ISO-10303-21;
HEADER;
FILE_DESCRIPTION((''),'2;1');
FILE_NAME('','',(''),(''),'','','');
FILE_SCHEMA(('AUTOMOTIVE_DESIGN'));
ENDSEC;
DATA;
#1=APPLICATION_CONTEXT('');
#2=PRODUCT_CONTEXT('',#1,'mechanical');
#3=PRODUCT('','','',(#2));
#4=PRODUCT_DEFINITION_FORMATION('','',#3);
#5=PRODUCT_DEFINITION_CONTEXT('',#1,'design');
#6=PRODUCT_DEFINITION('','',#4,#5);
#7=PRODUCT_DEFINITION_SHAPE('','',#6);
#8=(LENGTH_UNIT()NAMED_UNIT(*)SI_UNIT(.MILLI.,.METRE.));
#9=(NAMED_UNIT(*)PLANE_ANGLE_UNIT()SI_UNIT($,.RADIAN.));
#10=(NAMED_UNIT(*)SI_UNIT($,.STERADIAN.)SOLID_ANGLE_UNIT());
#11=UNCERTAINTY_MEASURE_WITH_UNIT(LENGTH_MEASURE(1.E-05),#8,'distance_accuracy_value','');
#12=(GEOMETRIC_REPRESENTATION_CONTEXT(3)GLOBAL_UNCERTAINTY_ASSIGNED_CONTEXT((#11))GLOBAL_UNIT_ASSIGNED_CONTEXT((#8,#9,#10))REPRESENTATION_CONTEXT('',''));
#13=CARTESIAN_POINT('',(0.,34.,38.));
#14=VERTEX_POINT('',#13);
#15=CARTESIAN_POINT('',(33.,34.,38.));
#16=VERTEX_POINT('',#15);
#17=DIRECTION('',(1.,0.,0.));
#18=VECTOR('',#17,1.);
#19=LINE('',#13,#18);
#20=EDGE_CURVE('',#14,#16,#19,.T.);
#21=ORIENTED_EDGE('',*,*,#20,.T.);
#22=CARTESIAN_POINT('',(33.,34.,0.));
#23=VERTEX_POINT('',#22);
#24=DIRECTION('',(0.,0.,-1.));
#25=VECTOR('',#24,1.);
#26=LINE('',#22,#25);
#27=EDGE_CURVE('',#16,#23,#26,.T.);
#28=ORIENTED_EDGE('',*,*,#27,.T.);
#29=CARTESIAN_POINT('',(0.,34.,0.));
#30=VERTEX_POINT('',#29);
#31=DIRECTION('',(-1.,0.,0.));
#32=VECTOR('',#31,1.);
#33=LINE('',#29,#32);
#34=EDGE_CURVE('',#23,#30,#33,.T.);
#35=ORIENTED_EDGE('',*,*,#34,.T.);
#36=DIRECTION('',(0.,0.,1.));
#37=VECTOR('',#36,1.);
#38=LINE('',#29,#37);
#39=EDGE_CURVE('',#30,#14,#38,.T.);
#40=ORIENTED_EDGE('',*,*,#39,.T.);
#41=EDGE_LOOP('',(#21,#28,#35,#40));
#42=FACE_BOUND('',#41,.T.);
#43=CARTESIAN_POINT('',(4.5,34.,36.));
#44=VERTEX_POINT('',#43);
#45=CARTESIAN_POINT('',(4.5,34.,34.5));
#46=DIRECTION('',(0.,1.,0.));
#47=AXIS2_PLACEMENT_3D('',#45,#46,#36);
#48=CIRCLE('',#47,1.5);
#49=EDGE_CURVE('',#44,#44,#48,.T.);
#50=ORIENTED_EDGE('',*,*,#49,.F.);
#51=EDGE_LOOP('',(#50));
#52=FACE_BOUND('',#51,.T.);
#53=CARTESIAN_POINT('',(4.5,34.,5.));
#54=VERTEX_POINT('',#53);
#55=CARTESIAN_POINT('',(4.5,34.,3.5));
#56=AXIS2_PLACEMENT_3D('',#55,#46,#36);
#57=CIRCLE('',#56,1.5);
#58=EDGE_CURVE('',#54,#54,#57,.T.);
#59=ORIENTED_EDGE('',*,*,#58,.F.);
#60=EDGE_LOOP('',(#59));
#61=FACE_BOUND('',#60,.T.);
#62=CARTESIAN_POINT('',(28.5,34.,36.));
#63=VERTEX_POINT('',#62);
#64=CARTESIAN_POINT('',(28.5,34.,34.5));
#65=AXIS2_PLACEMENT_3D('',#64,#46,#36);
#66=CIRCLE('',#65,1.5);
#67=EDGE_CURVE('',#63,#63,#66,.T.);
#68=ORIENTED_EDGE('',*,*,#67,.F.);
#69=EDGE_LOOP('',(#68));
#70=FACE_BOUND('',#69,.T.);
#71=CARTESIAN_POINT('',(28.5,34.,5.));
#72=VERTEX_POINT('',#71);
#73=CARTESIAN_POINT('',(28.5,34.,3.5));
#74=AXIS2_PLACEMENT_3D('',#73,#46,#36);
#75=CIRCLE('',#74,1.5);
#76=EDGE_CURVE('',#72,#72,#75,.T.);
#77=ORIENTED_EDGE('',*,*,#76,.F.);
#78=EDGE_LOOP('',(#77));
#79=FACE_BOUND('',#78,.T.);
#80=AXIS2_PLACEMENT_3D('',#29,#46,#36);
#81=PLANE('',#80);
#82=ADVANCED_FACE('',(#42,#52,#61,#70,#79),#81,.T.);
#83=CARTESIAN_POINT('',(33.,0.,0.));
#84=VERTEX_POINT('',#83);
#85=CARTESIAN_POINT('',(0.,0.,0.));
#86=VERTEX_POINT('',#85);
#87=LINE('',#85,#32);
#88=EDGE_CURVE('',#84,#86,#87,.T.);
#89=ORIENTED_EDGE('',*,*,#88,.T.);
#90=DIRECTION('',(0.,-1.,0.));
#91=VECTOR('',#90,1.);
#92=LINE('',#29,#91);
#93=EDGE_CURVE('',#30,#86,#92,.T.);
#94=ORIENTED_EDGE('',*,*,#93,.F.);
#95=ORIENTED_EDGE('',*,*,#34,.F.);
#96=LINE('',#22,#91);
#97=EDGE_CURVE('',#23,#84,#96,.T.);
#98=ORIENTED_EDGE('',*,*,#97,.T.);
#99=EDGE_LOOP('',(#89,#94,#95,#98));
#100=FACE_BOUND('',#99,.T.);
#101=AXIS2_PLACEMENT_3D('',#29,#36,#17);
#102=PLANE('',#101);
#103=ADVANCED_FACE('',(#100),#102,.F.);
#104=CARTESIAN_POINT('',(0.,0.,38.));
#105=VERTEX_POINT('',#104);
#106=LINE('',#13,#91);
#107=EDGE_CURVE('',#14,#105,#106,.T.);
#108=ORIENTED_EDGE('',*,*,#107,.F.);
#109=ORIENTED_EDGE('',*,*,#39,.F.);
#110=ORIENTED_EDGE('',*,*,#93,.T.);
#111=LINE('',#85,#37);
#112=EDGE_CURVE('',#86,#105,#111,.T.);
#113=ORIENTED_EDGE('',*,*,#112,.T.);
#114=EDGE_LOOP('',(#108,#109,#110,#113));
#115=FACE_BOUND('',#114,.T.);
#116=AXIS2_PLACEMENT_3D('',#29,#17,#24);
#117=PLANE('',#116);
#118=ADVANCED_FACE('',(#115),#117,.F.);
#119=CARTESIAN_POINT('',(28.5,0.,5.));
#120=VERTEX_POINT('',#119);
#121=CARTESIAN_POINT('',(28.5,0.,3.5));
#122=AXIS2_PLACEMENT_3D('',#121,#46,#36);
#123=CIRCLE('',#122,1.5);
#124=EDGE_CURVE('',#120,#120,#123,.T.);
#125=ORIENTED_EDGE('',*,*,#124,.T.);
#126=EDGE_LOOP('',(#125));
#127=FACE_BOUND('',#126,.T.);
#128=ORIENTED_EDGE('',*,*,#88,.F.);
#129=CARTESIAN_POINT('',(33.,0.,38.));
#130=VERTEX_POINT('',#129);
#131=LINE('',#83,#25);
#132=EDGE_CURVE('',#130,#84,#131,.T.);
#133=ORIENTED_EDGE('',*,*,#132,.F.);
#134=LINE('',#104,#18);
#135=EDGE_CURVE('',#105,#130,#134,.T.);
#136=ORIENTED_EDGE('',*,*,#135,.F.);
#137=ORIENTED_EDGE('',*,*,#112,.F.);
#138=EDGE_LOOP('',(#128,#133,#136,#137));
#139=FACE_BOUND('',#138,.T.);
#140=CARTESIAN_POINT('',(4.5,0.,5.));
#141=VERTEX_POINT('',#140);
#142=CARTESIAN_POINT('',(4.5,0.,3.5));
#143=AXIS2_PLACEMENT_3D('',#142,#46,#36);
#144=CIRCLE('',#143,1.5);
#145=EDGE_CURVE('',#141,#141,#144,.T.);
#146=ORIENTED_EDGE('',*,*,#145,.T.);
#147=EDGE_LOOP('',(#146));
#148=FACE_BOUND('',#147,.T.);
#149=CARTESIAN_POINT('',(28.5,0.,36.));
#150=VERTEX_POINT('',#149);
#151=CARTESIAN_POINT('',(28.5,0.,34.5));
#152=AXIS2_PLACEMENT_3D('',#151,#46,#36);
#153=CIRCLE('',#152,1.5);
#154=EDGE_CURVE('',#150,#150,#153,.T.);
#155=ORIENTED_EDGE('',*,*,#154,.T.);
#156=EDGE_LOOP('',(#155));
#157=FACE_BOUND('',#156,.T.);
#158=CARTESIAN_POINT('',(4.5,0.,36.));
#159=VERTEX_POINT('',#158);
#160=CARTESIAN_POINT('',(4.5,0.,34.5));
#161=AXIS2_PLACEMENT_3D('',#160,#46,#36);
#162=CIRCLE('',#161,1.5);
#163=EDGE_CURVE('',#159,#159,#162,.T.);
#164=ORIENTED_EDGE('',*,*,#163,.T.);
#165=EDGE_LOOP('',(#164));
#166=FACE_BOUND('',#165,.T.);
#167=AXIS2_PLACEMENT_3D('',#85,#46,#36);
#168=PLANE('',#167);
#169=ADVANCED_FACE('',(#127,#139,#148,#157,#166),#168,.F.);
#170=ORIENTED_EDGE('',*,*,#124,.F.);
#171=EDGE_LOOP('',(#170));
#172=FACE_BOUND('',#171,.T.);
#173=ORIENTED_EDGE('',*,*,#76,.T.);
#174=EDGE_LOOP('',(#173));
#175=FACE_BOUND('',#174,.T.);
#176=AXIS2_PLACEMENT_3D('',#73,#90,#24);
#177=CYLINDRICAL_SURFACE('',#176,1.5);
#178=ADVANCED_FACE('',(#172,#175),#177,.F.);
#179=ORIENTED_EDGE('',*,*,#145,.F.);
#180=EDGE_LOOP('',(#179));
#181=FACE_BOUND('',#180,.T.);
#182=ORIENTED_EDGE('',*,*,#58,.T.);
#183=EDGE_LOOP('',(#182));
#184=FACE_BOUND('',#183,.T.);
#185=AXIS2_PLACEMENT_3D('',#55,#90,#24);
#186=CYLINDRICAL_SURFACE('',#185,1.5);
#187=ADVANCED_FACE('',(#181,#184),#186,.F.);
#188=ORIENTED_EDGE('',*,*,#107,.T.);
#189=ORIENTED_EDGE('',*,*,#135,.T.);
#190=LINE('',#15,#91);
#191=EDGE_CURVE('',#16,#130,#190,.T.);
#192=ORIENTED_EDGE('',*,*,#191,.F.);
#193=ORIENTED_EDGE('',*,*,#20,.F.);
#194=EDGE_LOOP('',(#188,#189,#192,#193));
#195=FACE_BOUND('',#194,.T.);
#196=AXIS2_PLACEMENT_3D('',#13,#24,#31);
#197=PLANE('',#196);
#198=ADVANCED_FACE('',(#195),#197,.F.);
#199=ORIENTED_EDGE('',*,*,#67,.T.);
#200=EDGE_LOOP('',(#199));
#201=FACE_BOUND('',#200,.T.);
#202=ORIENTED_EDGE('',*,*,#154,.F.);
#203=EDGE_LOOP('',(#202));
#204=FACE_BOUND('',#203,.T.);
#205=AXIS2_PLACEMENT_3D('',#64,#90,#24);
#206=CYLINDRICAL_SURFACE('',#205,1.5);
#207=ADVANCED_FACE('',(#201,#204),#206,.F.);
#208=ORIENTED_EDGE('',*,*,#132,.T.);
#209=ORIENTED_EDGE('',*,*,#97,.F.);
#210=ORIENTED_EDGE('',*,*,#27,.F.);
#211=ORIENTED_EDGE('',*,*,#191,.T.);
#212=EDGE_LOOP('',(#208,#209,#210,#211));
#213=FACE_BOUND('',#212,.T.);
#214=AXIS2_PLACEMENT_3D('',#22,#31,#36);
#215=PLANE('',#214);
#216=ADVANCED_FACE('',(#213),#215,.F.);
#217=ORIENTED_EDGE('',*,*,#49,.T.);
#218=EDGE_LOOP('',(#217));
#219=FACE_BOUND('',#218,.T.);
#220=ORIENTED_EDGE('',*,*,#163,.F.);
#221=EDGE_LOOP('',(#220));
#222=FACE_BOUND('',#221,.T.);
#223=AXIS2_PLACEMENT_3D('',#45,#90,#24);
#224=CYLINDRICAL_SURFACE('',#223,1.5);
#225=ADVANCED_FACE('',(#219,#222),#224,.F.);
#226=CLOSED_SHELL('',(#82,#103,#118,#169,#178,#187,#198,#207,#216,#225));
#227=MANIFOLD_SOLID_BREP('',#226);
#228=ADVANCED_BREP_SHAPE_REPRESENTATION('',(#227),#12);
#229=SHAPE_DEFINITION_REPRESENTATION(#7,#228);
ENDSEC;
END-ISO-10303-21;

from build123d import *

# Parameters (mm, degrees)
SKETCH1_W           = 33
SKETCH1_H           = 38
SKETCH1_R           = 1.5
BOSS_EXTRUDE1_DEPTH = 34


with BuildPart() as part:
    # Sketch1 → Boss-Extrude1 (new body)
    with BuildSketch(Plane(origin=(0, 0, 0), x_dir=(1, 0, 0), z_dir=(0, 1, 0))):
        with Locations((16.5, -19)):
            Rectangle(SKETCH1_W, SKETCH1_H)
        with Locations(Location((28.5, -3.5, 0), (0, 0, 270))):
            Circle(SKETCH1_R, mode=Mode.SUBTRACT)
        with Locations(Location((28.5, -34.5, 0), (0, 0, 270))):
            Circle(SKETCH1_R, mode=Mode.SUBTRACT)
        with Locations(Location((4.5, -34.5, 0), (0, 0, 270))):
            Circle(SKETCH1_R, mode=Mode.SUBTRACT)
        with Locations(Location((4.5, -3.5, 0), (0, 0, 270))):
            Circle(SKETCH1_R, mode=Mode.SUBTRACT)
    extrude(amount=BOSS_EXTRUDE1_DEPTH)


solid = part.part
